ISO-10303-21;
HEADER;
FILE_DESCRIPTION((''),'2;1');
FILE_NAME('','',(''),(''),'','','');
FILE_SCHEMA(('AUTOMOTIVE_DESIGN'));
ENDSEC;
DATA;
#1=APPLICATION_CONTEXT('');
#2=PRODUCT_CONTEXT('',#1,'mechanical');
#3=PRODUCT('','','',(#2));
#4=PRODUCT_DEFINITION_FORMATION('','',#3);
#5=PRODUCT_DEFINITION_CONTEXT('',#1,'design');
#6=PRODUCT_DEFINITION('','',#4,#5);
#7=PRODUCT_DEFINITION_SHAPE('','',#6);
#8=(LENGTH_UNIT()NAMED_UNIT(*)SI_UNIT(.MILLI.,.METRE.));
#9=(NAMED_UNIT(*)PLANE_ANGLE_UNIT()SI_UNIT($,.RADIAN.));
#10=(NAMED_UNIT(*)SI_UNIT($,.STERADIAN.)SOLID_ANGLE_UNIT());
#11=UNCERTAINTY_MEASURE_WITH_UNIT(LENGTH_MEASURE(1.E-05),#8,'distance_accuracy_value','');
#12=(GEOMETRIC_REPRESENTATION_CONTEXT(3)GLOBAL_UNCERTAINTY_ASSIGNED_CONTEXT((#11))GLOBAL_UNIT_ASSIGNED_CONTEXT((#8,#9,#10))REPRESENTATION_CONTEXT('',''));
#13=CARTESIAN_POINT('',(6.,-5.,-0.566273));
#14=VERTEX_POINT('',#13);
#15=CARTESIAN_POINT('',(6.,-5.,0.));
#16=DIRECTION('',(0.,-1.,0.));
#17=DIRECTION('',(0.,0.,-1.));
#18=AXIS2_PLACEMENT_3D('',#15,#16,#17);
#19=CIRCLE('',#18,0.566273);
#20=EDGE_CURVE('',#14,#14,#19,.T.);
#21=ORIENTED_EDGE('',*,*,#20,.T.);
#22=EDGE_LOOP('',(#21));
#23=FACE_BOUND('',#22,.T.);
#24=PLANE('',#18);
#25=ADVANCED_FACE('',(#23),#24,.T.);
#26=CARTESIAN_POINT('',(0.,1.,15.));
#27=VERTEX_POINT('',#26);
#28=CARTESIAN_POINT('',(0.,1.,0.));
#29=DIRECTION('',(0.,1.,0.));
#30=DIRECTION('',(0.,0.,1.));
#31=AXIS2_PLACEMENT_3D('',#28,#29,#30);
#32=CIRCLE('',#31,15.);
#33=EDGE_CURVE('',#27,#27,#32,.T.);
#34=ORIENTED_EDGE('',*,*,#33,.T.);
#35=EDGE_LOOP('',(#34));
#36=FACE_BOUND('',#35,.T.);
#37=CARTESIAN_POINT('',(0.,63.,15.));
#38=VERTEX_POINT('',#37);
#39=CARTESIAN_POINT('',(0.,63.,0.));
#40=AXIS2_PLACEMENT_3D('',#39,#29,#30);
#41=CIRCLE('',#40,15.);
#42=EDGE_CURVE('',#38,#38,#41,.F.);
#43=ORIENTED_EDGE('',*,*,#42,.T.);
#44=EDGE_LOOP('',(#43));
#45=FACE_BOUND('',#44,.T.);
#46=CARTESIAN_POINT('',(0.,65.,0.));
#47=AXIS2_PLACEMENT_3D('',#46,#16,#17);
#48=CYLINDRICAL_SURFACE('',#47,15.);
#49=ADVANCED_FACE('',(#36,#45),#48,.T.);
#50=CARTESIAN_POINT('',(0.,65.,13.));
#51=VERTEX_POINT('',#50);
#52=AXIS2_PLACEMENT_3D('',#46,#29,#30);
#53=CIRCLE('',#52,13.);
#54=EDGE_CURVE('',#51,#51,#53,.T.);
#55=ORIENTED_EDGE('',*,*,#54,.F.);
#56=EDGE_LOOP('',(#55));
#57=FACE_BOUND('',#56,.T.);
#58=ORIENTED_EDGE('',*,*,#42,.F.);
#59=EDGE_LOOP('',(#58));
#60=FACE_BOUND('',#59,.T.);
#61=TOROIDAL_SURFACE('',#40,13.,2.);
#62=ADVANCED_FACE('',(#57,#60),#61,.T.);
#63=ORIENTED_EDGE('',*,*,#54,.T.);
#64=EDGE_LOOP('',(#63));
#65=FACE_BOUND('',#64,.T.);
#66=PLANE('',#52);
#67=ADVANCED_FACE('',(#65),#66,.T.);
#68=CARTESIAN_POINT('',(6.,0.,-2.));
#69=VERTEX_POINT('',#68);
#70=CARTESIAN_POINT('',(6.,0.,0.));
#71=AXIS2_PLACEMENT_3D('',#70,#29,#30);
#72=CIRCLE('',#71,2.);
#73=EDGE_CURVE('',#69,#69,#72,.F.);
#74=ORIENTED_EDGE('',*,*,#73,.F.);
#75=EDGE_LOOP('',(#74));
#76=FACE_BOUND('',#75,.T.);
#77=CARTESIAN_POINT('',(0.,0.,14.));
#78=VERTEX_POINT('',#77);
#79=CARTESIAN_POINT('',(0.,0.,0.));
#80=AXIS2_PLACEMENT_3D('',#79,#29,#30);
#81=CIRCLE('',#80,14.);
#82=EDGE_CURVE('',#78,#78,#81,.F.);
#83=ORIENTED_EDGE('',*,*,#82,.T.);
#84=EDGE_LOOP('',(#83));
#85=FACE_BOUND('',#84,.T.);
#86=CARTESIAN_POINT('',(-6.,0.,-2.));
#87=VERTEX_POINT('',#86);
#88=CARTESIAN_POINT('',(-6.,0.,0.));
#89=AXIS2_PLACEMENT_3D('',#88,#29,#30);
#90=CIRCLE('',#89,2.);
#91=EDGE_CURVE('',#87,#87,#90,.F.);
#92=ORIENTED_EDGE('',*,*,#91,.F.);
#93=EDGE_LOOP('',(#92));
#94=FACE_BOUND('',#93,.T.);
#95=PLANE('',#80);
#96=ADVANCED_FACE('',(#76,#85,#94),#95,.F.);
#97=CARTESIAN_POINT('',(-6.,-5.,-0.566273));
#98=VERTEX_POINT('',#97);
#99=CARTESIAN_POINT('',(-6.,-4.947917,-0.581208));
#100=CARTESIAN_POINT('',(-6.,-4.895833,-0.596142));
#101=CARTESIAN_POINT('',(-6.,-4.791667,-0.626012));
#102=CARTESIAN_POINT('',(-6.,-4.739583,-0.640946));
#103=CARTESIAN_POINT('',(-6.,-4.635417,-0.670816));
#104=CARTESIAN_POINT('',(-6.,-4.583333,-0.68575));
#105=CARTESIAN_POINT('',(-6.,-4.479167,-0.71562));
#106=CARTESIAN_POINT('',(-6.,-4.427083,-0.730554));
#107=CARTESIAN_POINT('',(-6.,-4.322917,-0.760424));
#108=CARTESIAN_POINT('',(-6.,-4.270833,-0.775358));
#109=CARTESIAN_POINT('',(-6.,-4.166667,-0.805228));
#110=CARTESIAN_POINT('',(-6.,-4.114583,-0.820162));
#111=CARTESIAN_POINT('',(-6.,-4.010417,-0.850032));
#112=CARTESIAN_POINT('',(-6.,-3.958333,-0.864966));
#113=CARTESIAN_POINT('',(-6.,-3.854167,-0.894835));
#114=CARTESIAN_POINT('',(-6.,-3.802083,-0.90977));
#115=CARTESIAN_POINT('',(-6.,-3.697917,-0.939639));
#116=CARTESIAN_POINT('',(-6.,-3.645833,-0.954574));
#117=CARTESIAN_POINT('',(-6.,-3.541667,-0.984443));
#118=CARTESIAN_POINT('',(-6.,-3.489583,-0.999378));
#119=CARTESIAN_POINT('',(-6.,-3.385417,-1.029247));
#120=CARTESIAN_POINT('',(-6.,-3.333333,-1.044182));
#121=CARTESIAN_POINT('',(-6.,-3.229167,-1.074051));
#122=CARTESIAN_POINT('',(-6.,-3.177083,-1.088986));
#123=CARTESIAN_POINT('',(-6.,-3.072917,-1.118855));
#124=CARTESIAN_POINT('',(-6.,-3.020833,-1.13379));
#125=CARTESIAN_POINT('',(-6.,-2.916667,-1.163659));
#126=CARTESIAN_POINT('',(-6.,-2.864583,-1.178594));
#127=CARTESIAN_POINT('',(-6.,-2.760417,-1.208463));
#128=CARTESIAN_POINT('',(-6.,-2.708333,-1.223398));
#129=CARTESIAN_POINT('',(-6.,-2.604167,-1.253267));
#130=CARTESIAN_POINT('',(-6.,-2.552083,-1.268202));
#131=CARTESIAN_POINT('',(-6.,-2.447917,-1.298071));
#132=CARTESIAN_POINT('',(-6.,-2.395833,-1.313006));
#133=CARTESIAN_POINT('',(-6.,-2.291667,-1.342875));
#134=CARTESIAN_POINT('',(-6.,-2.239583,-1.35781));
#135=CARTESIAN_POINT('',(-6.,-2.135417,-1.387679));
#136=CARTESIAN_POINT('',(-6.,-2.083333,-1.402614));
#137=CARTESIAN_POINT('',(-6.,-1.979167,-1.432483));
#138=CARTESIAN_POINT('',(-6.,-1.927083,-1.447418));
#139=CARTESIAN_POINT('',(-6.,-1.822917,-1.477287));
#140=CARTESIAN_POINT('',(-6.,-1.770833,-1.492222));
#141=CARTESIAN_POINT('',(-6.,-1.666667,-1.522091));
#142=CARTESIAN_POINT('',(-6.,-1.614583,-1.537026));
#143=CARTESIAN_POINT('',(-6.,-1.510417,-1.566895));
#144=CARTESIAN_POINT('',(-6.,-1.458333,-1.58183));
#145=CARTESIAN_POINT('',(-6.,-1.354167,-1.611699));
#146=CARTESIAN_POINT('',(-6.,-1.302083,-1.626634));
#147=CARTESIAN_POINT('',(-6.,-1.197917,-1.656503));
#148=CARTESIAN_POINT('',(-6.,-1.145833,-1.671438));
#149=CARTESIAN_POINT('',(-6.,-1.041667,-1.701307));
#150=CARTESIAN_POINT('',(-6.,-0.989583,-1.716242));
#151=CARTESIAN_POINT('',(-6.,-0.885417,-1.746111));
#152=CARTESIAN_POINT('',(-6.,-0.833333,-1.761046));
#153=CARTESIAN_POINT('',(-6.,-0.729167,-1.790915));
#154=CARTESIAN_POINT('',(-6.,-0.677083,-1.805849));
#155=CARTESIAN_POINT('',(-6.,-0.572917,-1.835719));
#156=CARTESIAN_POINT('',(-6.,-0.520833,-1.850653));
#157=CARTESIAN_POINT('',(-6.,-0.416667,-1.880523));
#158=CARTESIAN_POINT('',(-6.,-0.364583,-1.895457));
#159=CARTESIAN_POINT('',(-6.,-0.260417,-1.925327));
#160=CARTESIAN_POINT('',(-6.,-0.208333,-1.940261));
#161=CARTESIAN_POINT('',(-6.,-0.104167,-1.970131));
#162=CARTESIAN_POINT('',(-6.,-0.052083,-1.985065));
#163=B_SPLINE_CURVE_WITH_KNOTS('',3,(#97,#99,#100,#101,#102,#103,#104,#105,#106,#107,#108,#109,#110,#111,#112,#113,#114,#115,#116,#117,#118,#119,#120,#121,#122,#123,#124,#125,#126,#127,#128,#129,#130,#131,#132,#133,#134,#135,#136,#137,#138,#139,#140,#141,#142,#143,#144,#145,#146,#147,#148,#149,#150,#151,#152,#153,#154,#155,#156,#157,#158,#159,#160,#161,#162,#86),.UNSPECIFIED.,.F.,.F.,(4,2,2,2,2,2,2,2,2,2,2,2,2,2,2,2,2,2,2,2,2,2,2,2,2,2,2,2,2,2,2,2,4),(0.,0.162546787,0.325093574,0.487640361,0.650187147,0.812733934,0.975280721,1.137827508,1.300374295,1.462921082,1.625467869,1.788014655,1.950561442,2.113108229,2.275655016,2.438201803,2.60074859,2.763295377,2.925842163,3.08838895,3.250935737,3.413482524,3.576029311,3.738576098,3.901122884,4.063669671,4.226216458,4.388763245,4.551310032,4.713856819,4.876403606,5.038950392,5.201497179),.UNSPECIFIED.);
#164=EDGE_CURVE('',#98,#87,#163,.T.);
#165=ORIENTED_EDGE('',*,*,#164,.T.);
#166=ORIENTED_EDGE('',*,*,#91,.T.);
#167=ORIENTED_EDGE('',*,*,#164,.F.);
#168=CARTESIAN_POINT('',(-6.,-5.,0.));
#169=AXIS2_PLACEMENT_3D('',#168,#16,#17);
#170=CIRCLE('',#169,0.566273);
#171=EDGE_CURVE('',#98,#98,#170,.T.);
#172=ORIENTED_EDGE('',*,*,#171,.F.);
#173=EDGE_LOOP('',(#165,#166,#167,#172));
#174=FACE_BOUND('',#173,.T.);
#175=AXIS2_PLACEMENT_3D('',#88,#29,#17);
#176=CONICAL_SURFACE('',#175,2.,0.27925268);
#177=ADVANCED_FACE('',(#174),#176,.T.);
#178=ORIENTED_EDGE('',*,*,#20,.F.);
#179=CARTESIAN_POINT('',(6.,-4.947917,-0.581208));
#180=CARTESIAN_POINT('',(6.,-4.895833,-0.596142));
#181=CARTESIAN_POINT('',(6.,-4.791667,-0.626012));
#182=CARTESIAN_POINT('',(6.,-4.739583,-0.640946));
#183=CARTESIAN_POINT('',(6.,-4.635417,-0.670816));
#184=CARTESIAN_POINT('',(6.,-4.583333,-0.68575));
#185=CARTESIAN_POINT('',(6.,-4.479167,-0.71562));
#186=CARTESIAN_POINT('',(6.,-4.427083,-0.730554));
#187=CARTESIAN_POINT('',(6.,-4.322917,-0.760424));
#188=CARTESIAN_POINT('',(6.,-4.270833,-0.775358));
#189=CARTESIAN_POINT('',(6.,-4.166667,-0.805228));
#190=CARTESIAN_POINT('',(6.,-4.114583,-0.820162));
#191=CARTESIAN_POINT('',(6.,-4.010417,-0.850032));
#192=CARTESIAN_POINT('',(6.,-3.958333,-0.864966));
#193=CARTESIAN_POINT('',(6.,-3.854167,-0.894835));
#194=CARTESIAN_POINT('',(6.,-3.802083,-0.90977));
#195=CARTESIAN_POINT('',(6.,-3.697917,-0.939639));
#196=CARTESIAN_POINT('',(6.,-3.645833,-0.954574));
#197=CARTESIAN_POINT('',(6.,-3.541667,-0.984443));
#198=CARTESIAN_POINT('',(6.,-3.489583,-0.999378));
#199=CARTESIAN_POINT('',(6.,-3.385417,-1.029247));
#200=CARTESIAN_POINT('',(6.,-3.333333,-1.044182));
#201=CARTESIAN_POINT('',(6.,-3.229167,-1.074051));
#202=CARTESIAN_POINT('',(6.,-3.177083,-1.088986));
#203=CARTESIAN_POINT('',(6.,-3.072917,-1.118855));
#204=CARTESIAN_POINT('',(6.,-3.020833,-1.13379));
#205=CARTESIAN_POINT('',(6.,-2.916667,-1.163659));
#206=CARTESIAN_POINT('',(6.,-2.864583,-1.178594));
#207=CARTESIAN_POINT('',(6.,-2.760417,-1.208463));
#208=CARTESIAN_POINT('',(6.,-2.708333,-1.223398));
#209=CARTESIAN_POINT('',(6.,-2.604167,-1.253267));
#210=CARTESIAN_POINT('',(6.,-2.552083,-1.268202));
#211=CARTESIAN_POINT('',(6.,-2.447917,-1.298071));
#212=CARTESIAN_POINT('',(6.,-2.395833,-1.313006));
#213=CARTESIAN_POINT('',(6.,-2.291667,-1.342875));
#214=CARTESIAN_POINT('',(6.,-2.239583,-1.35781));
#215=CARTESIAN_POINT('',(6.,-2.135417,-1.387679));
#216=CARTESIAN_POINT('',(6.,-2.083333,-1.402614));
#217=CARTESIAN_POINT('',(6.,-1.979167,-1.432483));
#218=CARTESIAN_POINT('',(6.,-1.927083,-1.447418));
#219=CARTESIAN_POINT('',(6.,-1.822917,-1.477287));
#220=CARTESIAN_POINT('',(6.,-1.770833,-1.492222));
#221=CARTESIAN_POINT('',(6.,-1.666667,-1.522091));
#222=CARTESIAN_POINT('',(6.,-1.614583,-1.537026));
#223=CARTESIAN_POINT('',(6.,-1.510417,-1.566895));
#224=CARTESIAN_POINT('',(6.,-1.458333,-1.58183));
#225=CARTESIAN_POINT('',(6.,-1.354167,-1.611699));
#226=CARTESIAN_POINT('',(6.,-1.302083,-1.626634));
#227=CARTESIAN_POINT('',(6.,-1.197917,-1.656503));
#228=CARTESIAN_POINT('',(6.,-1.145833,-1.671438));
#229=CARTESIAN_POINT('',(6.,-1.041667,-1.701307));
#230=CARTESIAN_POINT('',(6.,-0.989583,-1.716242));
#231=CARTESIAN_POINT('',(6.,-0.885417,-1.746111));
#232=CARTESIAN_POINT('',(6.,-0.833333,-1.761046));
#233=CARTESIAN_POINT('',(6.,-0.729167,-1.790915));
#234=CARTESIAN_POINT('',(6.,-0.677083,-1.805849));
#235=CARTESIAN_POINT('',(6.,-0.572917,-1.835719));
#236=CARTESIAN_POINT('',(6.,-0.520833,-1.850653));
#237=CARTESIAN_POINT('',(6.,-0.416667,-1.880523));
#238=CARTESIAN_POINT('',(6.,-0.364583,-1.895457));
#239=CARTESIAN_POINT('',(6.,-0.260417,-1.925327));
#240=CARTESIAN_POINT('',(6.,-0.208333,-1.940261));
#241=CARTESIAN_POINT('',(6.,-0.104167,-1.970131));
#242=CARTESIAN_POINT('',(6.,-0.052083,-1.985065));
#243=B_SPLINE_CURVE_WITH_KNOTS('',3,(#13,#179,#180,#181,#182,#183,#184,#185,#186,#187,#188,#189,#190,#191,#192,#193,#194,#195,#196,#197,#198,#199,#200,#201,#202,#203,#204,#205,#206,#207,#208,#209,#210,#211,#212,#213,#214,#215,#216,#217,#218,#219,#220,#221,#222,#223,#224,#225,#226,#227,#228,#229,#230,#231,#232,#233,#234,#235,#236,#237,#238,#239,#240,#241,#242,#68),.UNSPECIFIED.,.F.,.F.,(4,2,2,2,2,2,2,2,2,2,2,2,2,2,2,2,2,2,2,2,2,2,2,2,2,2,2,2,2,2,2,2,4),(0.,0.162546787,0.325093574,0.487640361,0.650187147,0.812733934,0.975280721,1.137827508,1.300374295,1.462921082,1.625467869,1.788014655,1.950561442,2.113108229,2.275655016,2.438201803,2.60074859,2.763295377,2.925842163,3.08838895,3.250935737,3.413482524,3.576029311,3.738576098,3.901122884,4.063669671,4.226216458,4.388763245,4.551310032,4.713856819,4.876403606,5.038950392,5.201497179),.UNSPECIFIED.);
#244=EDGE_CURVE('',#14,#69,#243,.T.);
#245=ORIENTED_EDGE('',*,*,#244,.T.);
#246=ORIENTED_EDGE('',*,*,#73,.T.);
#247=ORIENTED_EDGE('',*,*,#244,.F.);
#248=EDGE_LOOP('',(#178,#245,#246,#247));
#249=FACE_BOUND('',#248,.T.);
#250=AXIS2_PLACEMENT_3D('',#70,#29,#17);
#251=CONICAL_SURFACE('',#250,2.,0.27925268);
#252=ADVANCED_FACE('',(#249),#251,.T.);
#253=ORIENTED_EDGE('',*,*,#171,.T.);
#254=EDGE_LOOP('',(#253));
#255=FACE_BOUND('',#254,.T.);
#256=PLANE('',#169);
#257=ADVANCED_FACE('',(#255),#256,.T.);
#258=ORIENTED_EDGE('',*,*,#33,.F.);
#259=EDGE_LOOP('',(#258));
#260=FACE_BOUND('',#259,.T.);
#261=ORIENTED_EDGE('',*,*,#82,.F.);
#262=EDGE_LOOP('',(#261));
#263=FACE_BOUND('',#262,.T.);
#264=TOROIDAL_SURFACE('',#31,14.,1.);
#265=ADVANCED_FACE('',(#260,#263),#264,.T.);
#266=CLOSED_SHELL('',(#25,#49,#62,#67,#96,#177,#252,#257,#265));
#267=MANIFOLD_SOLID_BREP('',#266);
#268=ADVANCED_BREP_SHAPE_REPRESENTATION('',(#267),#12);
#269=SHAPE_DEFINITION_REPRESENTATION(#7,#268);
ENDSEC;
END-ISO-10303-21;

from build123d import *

# Parameters (mm, degrees)
SKETCH1_R                     = 15
BOSS_EXTRUDE1_DEPTH           = 65
FILLET1_R                     = 2
FILLET2_R                     = 1
SKETCH2_R                     = 2
BOSS_EXTRUDE2_DEPTH           = 5
BOSS_EXTRUDE2_DRAFT           = 16
BOSS_EXTRUDE2_PROFILE_2_DEPTH = 5
BOSS_EXTRUDE2_PROFILE_2_DRAFT = 16


with BuildPart() as part:
    # Sketch1 → Boss-Extrude1 (new body)
    with BuildSketch(Plane(origin=(0, 0, 0), x_dir=(1, 0, 0), z_dir=(0, 1, 0))):
        with Locations(Location((0, 0, 0), (0, 0, 270))):
            Circle(SKETCH1_R)
    extrude(amount=BOSS_EXTRUDE1_DEPTH)

    # Fillet1
    fillet1_edges = [part.edges().sort_by_distance(p)[0] for p in [
        (0, 65, -15),
    ]]
    fillet(fillet1_edges, radius=FILLET1_R)

    # Fillet2
    fillet2_edges = [part.edges().sort_by_distance(p)[0] for p in [
        (0, 0, -15),
    ]]
    fillet(fillet2_edges, radius=FILLET2_R)


with BuildPart() as boss_extrude2_tool:
    # Sketch2 → Boss-Extrude2 (with draft: the straight prism first)
    with BuildSketch(Plane(origin=(0, 0, 0), x_dir=(-1, 0, 0), z_dir=(0, -1, 0))):
        with Locations((6, 0)):
            Circle(SKETCH2_R)
    extrude(amount=BOSS_EXTRUDE2_DEPTH)
    # Boss-Extrude2: the draft: its side faces are tilted about the plane it starts from
    boss_extrude2_sides = [boss_extrude2_tool.faces().sort_by_distance(p)[0] for p in [
        (-4, -2.5, 0),
    ]]
    draft(boss_extrude2_sides, Plane(origin=(0, 0, 0), x_dir=(-1, 0, 0), z_dir=(0, -1, 0)), BOSS_EXTRUDE2_DRAFT)


with BuildPart() as part_1:
    add(part.part)

    # Boss-Extrude2: add boss_extrude2_tool
    add(boss_extrude2_tool.part)


with BuildPart() as boss_extrude2_profile_2_tool:
    # Sketch2 → Boss-Extrude2 profile 2 (with draft: the straight prism first)
    with BuildSketch(Plane(origin=(0, 0, 0), x_dir=(-1, 0, 0), z_dir=(0, -1, 0))):
        with Locations((-6, 0)):
            Circle(SKETCH2_R)
    extrude(amount=BOSS_EXTRUDE2_PROFILE_2_DEPTH)
    # Boss-Extrude2 profile 2: the draft: its side faces are tilted about the plane it starts from
    boss_extrude2_profile_2_sides = [boss_extrude2_profile_2_tool.faces().sort_by_distance(p)[0] for p in [
        (8, -2.5, 0),
    ]]
    draft(boss_extrude2_profile_2_sides, Plane(origin=(0, 0, 0), x_dir=(-1, 0, 0), z_dir=(0, -1, 0)), BOSS_EXTRUDE2_PROFILE_2_DRAFT)


with BuildPart() as part_2:
    add(part_1.part)

    # Boss-Extrude2 profile 2: add boss_extrude2_profile_2_tool
    add(boss_extrude2_profile_2_tool.part)


solid = part_2.part
